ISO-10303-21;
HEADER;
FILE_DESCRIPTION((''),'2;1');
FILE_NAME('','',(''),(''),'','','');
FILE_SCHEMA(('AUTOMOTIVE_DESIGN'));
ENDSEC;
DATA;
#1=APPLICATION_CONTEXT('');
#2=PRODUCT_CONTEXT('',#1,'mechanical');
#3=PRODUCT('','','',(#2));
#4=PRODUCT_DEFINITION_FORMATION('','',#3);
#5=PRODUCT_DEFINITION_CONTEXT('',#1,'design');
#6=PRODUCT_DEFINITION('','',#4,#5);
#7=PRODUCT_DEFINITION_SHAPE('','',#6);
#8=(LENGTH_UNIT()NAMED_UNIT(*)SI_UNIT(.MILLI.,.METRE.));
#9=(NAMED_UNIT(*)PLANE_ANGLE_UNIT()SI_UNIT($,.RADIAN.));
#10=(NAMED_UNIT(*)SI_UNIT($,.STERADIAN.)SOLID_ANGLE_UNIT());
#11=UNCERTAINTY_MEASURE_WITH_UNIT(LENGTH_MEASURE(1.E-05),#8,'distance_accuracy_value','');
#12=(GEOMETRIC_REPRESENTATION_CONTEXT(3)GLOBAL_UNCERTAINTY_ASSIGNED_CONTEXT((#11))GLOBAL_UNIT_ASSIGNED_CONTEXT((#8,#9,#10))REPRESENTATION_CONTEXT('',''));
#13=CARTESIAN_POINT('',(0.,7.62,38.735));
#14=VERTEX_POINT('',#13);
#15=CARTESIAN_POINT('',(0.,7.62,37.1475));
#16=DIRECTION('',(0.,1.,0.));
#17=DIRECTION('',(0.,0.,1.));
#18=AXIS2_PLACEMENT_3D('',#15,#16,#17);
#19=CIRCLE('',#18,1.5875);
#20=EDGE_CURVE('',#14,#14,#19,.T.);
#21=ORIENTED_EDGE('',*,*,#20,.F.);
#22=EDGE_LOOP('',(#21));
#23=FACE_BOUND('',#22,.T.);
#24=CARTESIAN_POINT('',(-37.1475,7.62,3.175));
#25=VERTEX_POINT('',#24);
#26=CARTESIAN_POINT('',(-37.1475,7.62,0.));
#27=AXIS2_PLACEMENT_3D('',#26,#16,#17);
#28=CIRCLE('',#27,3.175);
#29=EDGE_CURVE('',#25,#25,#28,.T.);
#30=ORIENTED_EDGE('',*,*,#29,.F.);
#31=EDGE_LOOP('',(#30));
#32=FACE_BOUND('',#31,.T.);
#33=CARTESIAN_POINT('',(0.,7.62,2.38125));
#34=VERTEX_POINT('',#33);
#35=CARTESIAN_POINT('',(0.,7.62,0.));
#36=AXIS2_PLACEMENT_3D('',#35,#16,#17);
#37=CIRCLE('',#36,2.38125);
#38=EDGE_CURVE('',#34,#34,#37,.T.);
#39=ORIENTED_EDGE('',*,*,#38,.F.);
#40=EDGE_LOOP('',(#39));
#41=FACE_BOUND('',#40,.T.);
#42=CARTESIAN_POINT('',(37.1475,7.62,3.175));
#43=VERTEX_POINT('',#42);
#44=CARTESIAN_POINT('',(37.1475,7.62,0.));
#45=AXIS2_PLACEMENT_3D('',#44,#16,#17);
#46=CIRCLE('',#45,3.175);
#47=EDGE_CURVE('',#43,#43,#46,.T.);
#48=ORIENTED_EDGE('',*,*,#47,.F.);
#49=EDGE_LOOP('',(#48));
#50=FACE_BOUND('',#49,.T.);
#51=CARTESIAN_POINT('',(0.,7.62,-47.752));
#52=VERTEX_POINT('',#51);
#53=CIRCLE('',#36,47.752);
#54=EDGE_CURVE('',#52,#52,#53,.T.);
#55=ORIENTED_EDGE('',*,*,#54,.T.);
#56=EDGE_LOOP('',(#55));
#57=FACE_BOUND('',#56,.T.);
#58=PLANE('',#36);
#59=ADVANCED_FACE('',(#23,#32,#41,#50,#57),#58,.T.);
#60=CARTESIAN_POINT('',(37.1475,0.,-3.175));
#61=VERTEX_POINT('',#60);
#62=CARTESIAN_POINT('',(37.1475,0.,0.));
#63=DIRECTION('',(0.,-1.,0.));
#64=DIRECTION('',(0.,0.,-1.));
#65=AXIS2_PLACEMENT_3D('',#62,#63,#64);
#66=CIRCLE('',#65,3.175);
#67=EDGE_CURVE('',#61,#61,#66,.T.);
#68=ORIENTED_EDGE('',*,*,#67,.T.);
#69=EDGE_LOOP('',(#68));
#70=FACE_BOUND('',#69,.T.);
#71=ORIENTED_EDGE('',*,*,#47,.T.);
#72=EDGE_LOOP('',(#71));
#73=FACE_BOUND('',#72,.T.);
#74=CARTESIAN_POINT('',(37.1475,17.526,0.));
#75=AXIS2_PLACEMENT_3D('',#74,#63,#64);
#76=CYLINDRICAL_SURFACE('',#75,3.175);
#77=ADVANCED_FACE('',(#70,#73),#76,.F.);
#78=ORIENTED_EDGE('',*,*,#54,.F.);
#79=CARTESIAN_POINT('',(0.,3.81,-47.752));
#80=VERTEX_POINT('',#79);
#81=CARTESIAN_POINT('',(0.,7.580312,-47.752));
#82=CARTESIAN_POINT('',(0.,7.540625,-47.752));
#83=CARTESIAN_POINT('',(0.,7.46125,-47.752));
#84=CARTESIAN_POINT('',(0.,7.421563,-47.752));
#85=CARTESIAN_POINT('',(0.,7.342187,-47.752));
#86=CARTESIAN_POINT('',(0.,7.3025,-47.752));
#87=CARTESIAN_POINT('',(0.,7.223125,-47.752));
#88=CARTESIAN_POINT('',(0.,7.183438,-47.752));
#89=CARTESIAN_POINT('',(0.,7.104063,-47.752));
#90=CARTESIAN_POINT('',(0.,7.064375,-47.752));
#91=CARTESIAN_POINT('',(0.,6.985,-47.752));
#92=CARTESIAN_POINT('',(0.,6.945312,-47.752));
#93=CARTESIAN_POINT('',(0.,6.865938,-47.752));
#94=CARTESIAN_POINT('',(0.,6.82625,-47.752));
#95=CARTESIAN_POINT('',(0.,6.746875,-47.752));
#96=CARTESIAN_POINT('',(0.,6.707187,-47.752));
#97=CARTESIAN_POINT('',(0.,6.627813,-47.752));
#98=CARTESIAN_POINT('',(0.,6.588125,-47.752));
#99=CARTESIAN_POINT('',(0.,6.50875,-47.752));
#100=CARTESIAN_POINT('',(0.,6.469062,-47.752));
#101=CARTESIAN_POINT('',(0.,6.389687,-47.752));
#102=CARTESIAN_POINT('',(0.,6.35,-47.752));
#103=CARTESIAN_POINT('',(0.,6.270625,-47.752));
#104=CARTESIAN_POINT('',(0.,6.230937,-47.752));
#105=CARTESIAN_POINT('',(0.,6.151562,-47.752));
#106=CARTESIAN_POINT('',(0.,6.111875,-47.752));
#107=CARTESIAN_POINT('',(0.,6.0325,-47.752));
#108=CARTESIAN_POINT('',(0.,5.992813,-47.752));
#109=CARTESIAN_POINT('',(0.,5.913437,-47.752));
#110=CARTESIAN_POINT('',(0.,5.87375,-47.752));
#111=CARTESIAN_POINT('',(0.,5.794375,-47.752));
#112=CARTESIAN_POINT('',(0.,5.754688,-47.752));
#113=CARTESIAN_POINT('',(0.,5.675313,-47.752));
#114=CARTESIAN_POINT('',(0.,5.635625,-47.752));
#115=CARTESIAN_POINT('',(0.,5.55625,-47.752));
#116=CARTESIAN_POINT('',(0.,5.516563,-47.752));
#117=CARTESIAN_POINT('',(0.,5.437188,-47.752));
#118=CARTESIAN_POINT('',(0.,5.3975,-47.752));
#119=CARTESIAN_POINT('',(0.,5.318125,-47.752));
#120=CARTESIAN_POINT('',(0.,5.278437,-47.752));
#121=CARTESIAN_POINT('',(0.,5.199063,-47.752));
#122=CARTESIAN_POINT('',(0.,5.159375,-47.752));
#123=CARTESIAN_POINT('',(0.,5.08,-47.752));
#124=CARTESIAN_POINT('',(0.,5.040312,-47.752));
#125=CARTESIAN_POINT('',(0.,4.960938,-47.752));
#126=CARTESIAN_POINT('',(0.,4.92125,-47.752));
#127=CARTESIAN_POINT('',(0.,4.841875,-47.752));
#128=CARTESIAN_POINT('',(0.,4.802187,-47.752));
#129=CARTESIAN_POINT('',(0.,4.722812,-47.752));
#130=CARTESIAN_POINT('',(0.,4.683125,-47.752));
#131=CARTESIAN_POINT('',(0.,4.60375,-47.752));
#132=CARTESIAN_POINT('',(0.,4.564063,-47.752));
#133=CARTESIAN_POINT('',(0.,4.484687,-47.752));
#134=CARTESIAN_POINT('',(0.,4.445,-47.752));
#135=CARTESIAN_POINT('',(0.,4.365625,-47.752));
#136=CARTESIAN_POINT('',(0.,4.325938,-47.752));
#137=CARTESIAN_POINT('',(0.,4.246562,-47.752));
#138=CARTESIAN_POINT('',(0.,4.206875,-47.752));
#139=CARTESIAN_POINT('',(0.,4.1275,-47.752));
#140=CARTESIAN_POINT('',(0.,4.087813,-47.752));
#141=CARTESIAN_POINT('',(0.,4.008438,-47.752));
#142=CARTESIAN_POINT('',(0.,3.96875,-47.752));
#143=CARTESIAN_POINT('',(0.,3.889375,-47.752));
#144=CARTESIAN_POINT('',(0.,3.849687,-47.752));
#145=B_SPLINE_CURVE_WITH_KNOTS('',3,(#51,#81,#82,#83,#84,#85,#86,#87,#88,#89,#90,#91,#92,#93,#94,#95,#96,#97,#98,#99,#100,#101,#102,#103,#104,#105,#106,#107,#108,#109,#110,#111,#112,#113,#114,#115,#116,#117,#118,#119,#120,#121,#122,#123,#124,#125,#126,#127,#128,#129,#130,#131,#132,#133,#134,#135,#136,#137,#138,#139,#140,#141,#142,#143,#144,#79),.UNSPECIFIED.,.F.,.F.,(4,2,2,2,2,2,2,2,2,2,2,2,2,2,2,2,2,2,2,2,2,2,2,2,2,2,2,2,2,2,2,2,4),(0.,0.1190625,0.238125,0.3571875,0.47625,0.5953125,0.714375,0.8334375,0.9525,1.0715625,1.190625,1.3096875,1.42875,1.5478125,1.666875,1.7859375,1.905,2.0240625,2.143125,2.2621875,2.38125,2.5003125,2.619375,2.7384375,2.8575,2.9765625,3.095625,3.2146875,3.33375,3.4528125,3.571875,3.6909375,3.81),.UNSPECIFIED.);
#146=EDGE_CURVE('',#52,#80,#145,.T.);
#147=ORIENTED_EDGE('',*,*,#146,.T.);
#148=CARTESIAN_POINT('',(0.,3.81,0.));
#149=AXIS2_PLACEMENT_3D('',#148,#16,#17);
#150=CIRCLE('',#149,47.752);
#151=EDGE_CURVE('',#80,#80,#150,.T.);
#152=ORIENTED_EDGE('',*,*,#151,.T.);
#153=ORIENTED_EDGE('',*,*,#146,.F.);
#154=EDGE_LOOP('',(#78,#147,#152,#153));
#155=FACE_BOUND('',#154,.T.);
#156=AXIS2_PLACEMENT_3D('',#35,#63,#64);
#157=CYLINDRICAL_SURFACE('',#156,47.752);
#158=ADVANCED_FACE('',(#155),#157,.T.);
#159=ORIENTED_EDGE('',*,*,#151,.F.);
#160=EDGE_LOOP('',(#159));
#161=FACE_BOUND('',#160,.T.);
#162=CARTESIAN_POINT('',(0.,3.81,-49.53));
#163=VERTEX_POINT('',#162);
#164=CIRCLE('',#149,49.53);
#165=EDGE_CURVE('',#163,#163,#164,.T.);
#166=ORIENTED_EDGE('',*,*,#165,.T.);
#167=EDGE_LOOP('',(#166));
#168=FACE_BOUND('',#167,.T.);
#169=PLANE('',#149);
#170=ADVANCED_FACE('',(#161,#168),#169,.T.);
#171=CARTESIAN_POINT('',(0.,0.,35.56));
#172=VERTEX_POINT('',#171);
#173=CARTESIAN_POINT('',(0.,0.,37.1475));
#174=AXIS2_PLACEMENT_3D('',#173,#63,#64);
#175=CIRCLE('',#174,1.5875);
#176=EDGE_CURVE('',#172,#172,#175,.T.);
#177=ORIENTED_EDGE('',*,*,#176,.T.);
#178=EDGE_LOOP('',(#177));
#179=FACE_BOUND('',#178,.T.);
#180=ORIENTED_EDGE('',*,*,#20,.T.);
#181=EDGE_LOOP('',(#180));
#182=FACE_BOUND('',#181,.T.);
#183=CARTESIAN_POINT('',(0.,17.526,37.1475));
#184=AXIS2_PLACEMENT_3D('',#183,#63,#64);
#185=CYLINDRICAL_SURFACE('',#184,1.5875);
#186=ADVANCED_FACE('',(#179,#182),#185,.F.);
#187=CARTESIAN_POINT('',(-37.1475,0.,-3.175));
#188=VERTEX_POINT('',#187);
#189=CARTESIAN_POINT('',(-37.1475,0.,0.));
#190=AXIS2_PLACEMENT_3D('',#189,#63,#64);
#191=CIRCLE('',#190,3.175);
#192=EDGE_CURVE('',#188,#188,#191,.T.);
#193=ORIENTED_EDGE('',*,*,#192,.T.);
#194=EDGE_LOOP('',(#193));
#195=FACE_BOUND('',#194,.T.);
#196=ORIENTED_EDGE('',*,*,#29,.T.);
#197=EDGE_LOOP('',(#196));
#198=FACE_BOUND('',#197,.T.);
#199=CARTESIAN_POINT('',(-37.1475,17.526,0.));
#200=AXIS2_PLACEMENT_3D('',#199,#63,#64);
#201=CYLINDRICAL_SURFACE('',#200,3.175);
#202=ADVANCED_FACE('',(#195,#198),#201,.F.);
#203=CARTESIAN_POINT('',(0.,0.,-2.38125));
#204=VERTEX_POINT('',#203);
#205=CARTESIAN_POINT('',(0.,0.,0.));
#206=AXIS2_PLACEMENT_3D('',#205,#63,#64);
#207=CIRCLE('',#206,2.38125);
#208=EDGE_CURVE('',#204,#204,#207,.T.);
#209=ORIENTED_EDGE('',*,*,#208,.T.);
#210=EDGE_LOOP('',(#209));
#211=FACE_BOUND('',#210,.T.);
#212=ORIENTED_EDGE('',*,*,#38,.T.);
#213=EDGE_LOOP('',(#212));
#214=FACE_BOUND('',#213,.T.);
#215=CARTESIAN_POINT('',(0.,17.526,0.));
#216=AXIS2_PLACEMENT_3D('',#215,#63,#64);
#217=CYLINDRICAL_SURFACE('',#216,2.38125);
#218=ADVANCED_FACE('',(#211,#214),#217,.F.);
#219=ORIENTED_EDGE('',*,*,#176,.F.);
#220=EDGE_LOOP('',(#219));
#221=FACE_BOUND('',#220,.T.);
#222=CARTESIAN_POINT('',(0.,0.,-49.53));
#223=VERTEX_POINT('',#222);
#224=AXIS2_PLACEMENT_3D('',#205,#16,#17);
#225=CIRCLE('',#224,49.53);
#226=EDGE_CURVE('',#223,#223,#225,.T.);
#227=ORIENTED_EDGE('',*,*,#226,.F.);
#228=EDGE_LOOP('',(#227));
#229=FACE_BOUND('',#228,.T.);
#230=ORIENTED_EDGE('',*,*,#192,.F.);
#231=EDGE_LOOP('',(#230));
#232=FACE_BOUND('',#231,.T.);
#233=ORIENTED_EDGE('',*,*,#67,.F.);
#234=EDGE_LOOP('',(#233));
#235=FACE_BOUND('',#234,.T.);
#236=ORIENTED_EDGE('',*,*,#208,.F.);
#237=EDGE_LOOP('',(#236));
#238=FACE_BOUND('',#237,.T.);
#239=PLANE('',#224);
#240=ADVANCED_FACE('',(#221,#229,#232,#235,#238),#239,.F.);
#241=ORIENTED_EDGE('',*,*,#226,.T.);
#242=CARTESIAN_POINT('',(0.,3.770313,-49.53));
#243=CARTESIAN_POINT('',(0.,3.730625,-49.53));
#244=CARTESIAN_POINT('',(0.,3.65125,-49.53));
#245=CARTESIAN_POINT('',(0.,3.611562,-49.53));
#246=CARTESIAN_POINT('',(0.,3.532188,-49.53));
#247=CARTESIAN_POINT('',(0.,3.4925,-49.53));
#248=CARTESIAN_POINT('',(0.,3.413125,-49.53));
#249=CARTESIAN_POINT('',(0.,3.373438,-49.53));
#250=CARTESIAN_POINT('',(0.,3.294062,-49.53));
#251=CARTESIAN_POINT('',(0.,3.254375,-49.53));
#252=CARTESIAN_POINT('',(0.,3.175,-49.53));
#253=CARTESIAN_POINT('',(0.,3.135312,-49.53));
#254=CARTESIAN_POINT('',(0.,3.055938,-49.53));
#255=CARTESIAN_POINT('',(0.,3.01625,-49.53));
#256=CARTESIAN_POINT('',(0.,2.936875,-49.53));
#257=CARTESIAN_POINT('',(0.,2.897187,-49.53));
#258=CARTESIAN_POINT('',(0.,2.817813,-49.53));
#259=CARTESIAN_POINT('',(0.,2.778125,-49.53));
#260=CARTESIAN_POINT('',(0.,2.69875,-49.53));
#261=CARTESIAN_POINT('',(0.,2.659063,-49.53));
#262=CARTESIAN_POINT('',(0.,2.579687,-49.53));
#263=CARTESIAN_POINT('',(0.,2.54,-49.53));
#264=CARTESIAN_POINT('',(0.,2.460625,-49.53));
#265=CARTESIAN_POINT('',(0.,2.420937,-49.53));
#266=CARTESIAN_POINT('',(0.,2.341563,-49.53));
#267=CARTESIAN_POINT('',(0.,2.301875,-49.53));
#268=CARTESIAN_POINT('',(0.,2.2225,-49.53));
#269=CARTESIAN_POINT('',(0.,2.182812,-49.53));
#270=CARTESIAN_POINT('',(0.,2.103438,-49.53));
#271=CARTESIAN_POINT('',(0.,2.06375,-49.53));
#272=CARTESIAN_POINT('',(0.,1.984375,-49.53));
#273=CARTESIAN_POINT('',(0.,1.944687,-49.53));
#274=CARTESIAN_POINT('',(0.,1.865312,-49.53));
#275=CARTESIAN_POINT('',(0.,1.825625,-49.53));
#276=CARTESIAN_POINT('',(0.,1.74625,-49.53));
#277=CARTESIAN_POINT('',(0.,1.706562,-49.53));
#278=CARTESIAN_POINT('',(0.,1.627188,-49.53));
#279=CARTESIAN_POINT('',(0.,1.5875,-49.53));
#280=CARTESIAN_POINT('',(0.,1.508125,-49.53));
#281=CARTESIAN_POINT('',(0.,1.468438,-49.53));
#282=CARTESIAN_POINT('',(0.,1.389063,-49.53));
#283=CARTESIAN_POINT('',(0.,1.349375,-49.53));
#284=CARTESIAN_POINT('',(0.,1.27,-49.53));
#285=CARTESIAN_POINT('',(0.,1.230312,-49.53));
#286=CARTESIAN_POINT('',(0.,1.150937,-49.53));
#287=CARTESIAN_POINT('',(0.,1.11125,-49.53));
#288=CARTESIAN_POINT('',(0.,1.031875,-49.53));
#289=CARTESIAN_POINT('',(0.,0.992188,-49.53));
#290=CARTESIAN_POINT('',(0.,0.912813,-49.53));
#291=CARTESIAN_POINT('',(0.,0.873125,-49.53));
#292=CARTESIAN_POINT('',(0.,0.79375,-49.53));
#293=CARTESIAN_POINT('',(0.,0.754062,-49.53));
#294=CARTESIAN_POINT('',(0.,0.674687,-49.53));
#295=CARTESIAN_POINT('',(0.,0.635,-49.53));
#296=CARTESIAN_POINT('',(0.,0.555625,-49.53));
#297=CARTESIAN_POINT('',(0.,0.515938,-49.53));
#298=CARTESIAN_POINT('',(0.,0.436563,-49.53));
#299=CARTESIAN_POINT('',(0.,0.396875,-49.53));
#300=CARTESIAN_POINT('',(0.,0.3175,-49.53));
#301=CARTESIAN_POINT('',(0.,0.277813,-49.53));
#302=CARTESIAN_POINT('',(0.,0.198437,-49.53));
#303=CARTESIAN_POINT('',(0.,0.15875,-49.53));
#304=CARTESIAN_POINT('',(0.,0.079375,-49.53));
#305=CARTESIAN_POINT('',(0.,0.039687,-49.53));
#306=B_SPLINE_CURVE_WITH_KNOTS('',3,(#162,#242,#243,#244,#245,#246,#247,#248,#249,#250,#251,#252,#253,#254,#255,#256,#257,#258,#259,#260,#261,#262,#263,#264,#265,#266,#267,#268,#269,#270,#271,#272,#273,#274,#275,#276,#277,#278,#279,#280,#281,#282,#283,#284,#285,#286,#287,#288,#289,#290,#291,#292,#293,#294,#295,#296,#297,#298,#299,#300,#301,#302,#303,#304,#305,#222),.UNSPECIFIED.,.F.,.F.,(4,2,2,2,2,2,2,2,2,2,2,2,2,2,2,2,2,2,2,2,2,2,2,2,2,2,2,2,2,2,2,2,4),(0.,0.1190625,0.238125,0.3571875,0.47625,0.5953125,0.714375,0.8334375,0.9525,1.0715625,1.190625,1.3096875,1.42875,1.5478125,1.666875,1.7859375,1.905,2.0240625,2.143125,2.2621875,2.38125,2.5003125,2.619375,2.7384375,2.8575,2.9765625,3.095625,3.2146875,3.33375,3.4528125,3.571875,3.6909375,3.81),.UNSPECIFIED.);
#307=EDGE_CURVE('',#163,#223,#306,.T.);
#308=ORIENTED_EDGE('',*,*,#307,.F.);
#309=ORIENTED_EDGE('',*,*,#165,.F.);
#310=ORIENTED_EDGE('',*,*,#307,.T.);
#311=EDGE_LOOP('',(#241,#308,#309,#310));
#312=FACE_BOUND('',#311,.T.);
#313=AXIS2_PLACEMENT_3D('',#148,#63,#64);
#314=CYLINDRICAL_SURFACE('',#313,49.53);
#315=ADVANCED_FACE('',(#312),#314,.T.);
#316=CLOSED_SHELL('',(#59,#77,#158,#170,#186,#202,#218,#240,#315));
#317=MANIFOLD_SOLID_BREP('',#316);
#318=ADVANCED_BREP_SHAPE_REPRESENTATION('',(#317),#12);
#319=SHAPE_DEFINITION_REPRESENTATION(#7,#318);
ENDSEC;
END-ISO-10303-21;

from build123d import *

# Parameters (mm, degrees)
SKETCH2_R           = 49.53
BOSS_EXTRUDE1_DEPTH = 3.81
SKETCH3_R           = 47.752
BOSS_EXTRUDE2_DEPTH = 3.81
SKETCH5_R           = 3.175
SKETCH5_R_2         = 1.5875
SKETCH5_R_3         = 2.38125
CUT_EXTRUDE1_DEPTH  = 17.526


with BuildPart() as part:
    # Sketch2 → Boss-Extrude1 (new body)
    with BuildSketch(Plane(origin=(0, 0, 0), x_dir=(1, 0, 0), z_dir=(0, 1, 0))):
        with Locations(Location((0, 0, 0), (0, 0, 90))):
            Circle(SKETCH2_R)
    extrude(amount=BOSS_EXTRUDE1_DEPTH)

    # Sketch3 → Boss-Extrude2 (add)
    with BuildSketch(Plane(origin=(0, 3.81, 0), x_dir=(1, 0, 0), z_dir=(0, 1, 0))):
        with Locations(Location((0, 0, 0), (0, 0, 90))):
            Circle(SKETCH3_R)
    extrude(amount=BOSS_EXTRUDE2_DEPTH)

    # Sketch5 → Cut-Extrude1 (cut)
    with BuildSketch(Plane.XZ):
        with Locations(Location((37.1475, 0, 0), (0, 0, 270))):
            Circle(SKETCH5_R)
        with Locations(Location((-37.1475, 0, 0), (0, 0, 270))):
            Circle(SKETCH5_R)
        with Locations(Location((0, 37.1475, 0), (0, 0, 270))):
            Circle(SKETCH5_R_2)
        with Locations(Location((0, 0, 0), (0, 0, 270))):
            Circle(SKETCH5_R_3)
    extrude(amount=-CUT_EXTRUDE1_DEPTH, mode=Mode.SUBTRACT)


solid = part.part
